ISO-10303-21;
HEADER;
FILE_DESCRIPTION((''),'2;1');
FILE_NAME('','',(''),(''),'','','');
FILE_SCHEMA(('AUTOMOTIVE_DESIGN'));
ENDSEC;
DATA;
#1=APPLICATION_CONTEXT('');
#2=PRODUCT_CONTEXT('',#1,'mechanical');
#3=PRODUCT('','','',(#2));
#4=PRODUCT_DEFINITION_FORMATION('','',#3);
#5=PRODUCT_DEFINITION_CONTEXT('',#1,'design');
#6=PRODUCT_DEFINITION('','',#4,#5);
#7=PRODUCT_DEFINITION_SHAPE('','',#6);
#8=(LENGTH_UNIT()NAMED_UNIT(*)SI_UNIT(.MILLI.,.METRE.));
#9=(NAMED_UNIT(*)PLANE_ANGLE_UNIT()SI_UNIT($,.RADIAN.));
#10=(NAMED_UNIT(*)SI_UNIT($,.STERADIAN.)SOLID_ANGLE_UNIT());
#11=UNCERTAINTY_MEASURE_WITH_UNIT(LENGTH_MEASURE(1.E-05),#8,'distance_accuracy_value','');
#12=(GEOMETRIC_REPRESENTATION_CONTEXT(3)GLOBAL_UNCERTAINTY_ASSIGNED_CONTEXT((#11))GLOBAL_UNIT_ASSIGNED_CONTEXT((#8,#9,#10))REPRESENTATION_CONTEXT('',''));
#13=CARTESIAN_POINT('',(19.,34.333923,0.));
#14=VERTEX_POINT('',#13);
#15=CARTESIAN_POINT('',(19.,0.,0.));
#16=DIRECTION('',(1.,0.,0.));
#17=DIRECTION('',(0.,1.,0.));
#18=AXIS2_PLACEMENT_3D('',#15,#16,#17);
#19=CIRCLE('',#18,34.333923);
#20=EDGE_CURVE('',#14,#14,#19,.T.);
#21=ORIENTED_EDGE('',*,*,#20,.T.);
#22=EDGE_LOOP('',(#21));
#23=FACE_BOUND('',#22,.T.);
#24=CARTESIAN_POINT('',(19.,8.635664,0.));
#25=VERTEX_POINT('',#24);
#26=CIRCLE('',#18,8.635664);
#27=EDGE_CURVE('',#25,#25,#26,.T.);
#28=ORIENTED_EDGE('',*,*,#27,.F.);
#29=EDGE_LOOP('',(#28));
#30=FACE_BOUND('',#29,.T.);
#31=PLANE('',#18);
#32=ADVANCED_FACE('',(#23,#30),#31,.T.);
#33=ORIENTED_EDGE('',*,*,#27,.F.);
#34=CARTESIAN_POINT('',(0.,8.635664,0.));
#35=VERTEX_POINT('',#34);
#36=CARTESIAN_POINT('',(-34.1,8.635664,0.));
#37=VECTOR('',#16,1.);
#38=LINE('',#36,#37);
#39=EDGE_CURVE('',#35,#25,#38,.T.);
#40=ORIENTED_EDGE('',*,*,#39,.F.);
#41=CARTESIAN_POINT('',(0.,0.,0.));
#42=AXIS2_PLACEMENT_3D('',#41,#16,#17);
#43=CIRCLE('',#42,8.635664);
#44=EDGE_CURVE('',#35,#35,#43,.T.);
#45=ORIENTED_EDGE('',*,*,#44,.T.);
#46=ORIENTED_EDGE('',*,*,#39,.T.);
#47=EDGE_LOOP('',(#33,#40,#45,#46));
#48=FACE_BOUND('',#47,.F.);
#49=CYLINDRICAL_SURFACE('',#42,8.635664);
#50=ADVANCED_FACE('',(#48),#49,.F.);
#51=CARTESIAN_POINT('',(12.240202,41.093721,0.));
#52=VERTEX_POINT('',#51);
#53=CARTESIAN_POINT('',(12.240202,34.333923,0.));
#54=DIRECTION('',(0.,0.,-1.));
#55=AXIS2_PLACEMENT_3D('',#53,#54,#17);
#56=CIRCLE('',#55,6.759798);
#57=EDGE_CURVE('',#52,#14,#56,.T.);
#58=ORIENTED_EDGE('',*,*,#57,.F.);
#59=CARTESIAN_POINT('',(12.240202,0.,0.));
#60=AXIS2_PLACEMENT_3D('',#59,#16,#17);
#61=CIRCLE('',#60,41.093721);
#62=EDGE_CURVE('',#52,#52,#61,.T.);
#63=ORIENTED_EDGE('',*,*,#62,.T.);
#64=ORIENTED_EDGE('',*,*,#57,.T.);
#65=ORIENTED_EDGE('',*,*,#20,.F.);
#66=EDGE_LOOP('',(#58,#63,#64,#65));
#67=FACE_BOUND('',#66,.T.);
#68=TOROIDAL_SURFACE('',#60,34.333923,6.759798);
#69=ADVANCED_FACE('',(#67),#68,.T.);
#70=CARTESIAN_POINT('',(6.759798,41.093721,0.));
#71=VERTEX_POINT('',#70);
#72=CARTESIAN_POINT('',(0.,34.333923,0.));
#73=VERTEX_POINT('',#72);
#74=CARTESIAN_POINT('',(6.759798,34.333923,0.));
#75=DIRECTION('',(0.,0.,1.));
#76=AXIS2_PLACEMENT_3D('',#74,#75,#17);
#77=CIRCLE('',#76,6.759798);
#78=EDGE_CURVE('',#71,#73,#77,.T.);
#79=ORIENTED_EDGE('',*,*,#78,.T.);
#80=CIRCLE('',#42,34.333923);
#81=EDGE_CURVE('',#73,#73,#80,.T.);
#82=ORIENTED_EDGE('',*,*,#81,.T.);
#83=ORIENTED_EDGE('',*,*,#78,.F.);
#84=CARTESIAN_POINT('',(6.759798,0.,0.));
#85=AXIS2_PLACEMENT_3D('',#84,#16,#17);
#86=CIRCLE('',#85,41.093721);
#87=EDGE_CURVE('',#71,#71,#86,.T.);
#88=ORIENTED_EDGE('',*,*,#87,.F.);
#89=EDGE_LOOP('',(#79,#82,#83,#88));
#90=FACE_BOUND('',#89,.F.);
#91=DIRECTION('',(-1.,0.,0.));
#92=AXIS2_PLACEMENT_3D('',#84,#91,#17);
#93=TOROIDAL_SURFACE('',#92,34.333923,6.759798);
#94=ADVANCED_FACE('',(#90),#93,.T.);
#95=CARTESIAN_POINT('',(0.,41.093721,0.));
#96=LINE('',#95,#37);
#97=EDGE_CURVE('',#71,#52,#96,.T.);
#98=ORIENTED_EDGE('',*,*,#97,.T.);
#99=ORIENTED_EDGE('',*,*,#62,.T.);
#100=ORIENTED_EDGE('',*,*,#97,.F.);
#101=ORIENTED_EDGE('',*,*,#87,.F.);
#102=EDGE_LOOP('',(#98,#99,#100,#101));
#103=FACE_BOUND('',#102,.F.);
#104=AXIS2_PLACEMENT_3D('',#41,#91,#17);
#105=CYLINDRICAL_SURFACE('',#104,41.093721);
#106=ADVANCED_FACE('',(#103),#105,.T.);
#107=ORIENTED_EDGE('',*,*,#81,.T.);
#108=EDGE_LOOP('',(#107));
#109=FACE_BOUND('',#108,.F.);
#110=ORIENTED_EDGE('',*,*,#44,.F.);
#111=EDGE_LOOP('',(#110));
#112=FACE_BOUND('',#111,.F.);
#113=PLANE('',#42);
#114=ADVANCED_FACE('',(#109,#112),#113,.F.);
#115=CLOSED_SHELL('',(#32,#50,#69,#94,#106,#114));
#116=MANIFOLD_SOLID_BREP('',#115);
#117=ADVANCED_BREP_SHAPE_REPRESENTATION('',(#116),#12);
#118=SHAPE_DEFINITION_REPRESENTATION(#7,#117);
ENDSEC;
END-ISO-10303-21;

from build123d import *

# Parameters (mm, degrees)
F0_R     = 41.093721
F1_DEPTH = 19
F2_R     = 6.759798
F3_R     = 8.635664
F4_DEPTH = 34.1


with BuildPart() as f1:
    # F0 (on Right) → F1 (new body)
    with BuildSketch(Plane.YZ):
        Circle(F0_R)
    extrude(amount=F1_DEPTH)

    # F2
    f2_edges = [f1.edges().sort_by_distance(p)[0] for p in [
        (19, -41.093721, 0),
        (0, -41.093721, 0),
    ]]
    fillet(f2_edges, radius=F2_R)

    # F3 (on Right) → F4 (cut, symmetric)
    with BuildSketch(Plane.YZ):
        Circle(F3_R)
    extrude(amount=F4_DEPTH, both=True, mode=Mode.SUBTRACT)


solid = f1.part
